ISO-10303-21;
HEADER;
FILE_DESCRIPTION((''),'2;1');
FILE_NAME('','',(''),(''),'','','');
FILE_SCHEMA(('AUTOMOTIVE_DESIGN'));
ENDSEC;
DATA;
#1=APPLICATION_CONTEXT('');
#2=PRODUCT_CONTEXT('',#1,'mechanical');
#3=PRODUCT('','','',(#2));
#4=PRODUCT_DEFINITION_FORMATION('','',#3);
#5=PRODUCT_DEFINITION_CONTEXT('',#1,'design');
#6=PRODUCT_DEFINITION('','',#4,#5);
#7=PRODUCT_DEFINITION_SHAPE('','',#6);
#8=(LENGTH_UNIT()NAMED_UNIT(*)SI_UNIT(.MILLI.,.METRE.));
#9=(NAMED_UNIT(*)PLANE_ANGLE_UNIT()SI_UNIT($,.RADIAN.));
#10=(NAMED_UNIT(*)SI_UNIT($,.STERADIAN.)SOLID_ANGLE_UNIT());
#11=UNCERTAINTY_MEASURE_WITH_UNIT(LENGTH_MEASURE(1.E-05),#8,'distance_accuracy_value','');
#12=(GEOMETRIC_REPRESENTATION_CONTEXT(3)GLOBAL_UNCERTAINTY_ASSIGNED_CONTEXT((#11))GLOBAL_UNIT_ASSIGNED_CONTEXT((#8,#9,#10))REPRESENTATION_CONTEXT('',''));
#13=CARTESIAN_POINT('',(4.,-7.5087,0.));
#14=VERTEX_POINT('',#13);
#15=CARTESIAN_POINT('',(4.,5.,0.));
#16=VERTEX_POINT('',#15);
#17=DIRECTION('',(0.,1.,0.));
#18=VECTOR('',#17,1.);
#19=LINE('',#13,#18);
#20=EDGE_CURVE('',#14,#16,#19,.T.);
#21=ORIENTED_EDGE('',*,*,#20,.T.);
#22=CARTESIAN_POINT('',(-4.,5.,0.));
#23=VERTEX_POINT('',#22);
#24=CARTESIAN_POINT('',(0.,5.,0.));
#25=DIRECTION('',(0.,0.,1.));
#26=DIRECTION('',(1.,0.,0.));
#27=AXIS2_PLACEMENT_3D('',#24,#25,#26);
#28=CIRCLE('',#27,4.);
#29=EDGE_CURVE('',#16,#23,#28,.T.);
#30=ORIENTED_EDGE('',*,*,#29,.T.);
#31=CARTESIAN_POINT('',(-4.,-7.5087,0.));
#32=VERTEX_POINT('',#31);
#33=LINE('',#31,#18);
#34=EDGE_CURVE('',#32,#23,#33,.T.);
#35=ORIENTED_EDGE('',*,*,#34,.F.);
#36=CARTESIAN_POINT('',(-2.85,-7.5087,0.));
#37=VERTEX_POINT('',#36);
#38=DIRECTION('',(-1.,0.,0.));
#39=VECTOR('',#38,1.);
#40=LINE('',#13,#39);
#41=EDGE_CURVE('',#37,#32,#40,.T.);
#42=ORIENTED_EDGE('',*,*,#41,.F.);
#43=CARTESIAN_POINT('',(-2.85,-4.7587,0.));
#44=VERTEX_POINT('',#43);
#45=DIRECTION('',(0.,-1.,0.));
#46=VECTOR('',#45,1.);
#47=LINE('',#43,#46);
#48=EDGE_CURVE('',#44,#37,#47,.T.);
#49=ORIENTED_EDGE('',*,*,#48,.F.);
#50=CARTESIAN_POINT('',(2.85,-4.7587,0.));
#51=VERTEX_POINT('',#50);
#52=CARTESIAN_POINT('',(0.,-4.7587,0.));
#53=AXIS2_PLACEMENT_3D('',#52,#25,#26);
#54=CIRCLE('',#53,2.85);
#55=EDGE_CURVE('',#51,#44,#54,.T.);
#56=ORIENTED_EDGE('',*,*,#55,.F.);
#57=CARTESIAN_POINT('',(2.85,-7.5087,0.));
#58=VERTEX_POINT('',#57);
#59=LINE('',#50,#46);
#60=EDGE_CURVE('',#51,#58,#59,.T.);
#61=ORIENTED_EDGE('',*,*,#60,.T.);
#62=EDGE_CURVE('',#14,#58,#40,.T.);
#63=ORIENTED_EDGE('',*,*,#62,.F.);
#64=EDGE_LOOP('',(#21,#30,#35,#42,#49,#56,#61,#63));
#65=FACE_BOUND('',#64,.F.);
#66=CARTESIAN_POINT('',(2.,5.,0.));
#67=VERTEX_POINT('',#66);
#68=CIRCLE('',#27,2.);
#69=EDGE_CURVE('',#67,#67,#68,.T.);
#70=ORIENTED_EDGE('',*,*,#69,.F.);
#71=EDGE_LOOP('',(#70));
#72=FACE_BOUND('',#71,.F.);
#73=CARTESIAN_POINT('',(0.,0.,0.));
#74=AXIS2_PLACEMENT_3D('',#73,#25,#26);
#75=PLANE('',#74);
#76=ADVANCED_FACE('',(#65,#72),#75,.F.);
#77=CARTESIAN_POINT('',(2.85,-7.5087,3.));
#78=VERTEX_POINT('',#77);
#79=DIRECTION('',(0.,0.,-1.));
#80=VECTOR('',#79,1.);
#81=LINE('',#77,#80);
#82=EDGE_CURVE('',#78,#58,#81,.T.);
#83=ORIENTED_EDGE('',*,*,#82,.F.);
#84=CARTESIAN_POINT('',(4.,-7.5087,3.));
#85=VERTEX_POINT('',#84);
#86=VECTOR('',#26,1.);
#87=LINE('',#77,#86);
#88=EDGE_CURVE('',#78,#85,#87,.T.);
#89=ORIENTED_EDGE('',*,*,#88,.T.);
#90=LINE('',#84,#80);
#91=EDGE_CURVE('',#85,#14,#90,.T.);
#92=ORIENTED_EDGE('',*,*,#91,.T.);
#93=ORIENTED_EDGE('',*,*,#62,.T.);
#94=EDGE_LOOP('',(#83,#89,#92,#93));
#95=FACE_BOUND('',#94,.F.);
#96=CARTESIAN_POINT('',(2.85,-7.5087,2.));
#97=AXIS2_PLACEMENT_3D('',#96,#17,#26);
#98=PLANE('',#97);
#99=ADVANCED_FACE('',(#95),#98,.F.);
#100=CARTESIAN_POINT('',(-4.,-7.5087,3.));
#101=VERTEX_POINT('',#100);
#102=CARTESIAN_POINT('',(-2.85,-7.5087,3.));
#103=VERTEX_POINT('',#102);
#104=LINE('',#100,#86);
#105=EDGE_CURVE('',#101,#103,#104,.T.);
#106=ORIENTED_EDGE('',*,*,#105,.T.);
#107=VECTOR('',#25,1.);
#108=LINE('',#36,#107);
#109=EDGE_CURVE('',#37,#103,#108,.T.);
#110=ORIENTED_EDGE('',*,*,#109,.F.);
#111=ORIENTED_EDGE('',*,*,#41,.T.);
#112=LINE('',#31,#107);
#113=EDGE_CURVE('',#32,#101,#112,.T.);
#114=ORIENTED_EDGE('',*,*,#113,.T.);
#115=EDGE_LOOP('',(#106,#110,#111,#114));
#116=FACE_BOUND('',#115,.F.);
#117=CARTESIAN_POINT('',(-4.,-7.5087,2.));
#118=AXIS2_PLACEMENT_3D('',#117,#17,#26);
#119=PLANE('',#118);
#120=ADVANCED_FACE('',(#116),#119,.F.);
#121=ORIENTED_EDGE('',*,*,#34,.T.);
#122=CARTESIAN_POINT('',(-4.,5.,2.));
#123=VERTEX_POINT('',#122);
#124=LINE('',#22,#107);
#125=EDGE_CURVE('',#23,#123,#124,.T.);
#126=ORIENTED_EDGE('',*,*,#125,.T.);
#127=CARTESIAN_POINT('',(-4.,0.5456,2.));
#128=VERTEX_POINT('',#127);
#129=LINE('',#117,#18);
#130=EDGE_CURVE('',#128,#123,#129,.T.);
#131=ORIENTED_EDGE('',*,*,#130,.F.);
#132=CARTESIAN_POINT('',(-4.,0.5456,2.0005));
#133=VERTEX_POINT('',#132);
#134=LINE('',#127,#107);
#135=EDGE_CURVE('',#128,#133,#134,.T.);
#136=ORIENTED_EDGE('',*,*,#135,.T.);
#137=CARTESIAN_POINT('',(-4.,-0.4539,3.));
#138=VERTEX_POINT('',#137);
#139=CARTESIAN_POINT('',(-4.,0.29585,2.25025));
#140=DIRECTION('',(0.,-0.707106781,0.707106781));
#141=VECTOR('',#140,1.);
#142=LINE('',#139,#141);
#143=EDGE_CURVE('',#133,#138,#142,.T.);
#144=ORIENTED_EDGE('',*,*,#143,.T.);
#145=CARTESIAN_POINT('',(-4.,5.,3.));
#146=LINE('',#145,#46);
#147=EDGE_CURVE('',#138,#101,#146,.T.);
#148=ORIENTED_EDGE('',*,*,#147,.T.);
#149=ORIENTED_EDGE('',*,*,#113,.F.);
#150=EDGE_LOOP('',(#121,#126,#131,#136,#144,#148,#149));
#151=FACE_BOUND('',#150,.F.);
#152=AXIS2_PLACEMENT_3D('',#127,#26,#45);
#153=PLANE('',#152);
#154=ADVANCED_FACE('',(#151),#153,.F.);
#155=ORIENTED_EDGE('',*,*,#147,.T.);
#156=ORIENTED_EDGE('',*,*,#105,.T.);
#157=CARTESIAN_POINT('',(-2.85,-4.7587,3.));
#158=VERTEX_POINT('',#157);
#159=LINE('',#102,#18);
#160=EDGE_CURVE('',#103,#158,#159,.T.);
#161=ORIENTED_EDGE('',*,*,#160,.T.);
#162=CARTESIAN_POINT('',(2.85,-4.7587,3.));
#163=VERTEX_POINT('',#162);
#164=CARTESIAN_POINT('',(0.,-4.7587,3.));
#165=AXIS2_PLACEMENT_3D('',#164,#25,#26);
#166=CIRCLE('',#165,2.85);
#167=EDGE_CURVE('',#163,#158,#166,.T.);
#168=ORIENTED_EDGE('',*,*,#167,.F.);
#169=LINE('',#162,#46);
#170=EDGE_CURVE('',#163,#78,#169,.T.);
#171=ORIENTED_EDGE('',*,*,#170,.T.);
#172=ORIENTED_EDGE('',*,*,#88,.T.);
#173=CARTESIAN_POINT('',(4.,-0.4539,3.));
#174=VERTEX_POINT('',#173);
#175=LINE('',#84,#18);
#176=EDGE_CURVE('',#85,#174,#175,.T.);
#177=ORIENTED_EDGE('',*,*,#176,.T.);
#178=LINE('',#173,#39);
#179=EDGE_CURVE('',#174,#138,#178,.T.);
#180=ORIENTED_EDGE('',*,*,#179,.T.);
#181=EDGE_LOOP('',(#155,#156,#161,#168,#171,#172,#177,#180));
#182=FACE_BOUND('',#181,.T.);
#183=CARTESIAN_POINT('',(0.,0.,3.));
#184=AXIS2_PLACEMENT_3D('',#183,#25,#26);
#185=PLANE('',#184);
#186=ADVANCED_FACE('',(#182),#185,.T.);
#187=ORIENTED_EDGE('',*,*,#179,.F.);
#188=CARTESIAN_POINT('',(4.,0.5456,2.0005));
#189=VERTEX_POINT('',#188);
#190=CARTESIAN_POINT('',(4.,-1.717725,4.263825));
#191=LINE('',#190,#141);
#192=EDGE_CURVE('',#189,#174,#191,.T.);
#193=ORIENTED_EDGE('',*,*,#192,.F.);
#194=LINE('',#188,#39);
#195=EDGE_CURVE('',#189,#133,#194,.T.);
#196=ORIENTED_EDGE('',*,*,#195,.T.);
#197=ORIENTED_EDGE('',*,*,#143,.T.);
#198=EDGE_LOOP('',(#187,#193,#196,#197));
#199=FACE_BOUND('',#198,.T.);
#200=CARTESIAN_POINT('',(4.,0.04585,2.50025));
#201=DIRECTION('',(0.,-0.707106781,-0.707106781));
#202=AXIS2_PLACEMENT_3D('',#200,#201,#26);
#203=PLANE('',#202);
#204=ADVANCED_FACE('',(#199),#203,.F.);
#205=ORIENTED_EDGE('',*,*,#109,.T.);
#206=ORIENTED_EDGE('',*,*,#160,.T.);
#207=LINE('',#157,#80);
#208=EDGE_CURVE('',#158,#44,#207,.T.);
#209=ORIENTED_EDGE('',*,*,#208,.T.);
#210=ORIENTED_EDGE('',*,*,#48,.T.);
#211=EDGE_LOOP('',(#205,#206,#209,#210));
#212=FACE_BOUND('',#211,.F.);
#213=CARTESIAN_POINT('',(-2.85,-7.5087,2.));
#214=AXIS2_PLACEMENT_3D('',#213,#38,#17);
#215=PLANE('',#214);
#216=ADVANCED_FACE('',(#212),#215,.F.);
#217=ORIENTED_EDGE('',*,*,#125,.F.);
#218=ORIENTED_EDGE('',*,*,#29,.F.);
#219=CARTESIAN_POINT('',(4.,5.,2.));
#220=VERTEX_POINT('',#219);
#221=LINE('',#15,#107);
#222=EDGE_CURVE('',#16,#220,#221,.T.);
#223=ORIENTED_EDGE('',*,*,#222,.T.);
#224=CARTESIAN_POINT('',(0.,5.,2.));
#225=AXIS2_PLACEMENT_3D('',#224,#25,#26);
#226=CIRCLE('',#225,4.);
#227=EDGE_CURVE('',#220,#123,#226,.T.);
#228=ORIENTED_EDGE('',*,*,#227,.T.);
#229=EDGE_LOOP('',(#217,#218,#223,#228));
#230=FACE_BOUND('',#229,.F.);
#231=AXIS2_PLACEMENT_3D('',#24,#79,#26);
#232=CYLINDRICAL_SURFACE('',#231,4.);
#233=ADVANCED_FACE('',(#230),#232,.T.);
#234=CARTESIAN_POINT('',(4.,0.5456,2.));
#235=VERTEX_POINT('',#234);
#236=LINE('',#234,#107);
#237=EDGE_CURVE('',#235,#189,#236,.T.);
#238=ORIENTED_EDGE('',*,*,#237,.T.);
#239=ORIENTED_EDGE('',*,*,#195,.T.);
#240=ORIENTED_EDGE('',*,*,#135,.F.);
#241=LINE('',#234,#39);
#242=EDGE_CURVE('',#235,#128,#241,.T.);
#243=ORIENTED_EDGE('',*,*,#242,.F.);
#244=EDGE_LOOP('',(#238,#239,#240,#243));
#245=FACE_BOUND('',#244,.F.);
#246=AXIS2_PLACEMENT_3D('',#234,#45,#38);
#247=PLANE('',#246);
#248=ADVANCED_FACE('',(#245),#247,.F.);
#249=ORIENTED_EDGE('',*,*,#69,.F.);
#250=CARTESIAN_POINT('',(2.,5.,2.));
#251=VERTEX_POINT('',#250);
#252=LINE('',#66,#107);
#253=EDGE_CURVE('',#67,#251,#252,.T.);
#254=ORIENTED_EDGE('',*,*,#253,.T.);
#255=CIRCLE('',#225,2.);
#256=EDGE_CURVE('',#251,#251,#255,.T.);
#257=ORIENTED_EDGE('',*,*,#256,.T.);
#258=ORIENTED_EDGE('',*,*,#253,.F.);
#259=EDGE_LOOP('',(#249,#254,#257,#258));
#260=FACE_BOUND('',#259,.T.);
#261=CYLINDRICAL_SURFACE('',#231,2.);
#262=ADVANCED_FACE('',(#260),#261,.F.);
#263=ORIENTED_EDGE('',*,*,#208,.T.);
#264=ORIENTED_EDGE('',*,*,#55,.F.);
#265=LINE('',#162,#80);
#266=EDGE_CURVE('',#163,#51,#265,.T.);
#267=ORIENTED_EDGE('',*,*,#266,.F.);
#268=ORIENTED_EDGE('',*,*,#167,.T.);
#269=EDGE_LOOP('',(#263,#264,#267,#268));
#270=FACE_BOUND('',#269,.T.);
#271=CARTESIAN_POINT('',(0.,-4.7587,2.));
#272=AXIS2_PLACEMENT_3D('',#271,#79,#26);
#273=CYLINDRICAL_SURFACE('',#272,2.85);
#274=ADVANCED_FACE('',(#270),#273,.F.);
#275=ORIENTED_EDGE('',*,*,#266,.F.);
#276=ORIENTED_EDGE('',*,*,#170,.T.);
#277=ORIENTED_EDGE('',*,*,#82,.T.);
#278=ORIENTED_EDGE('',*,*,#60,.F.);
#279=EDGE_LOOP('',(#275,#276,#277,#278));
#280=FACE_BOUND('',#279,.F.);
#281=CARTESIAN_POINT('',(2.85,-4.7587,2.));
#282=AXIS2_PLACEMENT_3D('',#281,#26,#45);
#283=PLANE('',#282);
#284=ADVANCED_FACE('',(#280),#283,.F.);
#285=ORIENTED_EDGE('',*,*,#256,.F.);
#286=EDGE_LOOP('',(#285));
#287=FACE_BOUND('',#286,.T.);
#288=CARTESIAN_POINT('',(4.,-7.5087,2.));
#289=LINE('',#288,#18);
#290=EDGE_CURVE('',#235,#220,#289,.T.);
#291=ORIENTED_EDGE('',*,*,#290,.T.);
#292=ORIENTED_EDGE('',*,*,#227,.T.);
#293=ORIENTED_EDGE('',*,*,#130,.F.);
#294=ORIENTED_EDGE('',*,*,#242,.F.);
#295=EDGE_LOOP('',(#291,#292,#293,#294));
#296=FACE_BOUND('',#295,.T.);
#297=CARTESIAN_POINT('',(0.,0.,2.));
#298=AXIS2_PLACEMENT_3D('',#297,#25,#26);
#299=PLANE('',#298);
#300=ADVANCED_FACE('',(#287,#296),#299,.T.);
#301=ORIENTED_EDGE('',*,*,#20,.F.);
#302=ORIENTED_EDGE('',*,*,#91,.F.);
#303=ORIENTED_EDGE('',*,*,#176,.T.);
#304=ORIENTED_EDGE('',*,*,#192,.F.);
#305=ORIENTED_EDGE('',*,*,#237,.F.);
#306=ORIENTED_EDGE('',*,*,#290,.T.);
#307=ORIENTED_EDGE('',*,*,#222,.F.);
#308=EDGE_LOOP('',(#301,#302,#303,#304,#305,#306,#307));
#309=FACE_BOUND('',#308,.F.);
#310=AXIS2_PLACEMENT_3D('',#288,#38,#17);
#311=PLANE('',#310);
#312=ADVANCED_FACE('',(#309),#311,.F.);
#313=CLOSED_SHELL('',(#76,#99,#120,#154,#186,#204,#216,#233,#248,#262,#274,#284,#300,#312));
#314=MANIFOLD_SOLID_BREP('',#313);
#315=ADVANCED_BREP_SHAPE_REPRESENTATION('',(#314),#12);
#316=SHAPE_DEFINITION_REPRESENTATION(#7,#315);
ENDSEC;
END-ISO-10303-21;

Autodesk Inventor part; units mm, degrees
ref_plane "YZ Plane" through (0, 0, 0) normal (1, 0, 0) x (0, 1, 0)
ref_plane "XZ Plane" through (0, 0, 0) normal (0, 1, 0) x (-1, 0, 0)
ref_plane "XY Plane" through (0, 0, 0) normal (0, 0, 1) x (1, 0, 0)
sketch "Sketch1" plane through (0, 0, 0) normal (0, 0, 1) x (1, 0, 0)
  circle A0 centre (0, 5) radius 1.5 construction
  circle A1 centre (0, -4.7587) radius 2.75 construction
  circle A2 centre (0, 5) radius 4
  line L0 (4, -7.5087) -> (-4, -7.5087)
  line L1 (-4, -7.5087) -> (-4, 5)
  line L2 (4, -7.5087) -> (4, 5)
  circle A3 centre (0, -4.7587) radius 2.85
  line L3 (2.85, -4.7587) -> (2.85, -7.5087)
  line L4 (-2.85, -4.7587) -> (-2.85, -7.5087)
  circle A4 centre (0, 5) radius 2
  point P0 (0, 0)
  dimension "d0" = 8
  dimension "d1" = 0.1
  dimension "d2" = 4
extrude "Extrusion1" add sketch "Sketch1" along normal blind 2 contours A2 | L2 L0 L3 A3 L4 L1 A2
sketch "Sketch3" plane through (0, 0, 2) normal (0, 0, 1) x (1, 0, 0)
  line L0 (-4, 5) -> (-4, -7.5087) projected
  line L1 (-4, -7.5087) -> (-2.85, -7.5087) projected
  line L2 (-2.85, -7.5087) -> (-2.85, -4.7587) projected
  arc A0 (2.85, -4.7587) -> (-2.85, -4.7587) centre (0, -4.7587) ccw projected
  line L3 (2.85, -4.7587) -> (2.85, -7.5087) projected
  line L4 (2.85, -7.5087) -> (4, -7.5087) projected
  line L5 (4, -7.5087) -> (4, 5) projected
  arc A1 (4, 5) -> (-4, 5) centre (0, 5) ccw projected
  circle A2 centre (0, 5) radius 2 projected
  circle A3 centre (0, 5) radius 2 construction
  line L6 (0, 3) -> (0, -1.9087) construction
  line L7 (4, -7.5087) -> (4, 5) projected
  line L8 (4, 0.5456) -> (-4, 0.5456)
  arc A4 (2.85, -4.7587) -> (-2.85, -4.7587) centre (0, -4.7587) ccw projected
  point P0 (0, 0)
  point P1 (0, 0.5456)
  point P2 (0, -1.9087)
extrude "Extrusion2" add sketch "Sketch3" along normal blind 1 contours L8 L5 L4 L3 A0 L2 L1 L0
chamfer "Chamfer1" distance 1 angle 45 1 edges at (0, 0.5456, 3)
properties part number "display-retainer-tab"
